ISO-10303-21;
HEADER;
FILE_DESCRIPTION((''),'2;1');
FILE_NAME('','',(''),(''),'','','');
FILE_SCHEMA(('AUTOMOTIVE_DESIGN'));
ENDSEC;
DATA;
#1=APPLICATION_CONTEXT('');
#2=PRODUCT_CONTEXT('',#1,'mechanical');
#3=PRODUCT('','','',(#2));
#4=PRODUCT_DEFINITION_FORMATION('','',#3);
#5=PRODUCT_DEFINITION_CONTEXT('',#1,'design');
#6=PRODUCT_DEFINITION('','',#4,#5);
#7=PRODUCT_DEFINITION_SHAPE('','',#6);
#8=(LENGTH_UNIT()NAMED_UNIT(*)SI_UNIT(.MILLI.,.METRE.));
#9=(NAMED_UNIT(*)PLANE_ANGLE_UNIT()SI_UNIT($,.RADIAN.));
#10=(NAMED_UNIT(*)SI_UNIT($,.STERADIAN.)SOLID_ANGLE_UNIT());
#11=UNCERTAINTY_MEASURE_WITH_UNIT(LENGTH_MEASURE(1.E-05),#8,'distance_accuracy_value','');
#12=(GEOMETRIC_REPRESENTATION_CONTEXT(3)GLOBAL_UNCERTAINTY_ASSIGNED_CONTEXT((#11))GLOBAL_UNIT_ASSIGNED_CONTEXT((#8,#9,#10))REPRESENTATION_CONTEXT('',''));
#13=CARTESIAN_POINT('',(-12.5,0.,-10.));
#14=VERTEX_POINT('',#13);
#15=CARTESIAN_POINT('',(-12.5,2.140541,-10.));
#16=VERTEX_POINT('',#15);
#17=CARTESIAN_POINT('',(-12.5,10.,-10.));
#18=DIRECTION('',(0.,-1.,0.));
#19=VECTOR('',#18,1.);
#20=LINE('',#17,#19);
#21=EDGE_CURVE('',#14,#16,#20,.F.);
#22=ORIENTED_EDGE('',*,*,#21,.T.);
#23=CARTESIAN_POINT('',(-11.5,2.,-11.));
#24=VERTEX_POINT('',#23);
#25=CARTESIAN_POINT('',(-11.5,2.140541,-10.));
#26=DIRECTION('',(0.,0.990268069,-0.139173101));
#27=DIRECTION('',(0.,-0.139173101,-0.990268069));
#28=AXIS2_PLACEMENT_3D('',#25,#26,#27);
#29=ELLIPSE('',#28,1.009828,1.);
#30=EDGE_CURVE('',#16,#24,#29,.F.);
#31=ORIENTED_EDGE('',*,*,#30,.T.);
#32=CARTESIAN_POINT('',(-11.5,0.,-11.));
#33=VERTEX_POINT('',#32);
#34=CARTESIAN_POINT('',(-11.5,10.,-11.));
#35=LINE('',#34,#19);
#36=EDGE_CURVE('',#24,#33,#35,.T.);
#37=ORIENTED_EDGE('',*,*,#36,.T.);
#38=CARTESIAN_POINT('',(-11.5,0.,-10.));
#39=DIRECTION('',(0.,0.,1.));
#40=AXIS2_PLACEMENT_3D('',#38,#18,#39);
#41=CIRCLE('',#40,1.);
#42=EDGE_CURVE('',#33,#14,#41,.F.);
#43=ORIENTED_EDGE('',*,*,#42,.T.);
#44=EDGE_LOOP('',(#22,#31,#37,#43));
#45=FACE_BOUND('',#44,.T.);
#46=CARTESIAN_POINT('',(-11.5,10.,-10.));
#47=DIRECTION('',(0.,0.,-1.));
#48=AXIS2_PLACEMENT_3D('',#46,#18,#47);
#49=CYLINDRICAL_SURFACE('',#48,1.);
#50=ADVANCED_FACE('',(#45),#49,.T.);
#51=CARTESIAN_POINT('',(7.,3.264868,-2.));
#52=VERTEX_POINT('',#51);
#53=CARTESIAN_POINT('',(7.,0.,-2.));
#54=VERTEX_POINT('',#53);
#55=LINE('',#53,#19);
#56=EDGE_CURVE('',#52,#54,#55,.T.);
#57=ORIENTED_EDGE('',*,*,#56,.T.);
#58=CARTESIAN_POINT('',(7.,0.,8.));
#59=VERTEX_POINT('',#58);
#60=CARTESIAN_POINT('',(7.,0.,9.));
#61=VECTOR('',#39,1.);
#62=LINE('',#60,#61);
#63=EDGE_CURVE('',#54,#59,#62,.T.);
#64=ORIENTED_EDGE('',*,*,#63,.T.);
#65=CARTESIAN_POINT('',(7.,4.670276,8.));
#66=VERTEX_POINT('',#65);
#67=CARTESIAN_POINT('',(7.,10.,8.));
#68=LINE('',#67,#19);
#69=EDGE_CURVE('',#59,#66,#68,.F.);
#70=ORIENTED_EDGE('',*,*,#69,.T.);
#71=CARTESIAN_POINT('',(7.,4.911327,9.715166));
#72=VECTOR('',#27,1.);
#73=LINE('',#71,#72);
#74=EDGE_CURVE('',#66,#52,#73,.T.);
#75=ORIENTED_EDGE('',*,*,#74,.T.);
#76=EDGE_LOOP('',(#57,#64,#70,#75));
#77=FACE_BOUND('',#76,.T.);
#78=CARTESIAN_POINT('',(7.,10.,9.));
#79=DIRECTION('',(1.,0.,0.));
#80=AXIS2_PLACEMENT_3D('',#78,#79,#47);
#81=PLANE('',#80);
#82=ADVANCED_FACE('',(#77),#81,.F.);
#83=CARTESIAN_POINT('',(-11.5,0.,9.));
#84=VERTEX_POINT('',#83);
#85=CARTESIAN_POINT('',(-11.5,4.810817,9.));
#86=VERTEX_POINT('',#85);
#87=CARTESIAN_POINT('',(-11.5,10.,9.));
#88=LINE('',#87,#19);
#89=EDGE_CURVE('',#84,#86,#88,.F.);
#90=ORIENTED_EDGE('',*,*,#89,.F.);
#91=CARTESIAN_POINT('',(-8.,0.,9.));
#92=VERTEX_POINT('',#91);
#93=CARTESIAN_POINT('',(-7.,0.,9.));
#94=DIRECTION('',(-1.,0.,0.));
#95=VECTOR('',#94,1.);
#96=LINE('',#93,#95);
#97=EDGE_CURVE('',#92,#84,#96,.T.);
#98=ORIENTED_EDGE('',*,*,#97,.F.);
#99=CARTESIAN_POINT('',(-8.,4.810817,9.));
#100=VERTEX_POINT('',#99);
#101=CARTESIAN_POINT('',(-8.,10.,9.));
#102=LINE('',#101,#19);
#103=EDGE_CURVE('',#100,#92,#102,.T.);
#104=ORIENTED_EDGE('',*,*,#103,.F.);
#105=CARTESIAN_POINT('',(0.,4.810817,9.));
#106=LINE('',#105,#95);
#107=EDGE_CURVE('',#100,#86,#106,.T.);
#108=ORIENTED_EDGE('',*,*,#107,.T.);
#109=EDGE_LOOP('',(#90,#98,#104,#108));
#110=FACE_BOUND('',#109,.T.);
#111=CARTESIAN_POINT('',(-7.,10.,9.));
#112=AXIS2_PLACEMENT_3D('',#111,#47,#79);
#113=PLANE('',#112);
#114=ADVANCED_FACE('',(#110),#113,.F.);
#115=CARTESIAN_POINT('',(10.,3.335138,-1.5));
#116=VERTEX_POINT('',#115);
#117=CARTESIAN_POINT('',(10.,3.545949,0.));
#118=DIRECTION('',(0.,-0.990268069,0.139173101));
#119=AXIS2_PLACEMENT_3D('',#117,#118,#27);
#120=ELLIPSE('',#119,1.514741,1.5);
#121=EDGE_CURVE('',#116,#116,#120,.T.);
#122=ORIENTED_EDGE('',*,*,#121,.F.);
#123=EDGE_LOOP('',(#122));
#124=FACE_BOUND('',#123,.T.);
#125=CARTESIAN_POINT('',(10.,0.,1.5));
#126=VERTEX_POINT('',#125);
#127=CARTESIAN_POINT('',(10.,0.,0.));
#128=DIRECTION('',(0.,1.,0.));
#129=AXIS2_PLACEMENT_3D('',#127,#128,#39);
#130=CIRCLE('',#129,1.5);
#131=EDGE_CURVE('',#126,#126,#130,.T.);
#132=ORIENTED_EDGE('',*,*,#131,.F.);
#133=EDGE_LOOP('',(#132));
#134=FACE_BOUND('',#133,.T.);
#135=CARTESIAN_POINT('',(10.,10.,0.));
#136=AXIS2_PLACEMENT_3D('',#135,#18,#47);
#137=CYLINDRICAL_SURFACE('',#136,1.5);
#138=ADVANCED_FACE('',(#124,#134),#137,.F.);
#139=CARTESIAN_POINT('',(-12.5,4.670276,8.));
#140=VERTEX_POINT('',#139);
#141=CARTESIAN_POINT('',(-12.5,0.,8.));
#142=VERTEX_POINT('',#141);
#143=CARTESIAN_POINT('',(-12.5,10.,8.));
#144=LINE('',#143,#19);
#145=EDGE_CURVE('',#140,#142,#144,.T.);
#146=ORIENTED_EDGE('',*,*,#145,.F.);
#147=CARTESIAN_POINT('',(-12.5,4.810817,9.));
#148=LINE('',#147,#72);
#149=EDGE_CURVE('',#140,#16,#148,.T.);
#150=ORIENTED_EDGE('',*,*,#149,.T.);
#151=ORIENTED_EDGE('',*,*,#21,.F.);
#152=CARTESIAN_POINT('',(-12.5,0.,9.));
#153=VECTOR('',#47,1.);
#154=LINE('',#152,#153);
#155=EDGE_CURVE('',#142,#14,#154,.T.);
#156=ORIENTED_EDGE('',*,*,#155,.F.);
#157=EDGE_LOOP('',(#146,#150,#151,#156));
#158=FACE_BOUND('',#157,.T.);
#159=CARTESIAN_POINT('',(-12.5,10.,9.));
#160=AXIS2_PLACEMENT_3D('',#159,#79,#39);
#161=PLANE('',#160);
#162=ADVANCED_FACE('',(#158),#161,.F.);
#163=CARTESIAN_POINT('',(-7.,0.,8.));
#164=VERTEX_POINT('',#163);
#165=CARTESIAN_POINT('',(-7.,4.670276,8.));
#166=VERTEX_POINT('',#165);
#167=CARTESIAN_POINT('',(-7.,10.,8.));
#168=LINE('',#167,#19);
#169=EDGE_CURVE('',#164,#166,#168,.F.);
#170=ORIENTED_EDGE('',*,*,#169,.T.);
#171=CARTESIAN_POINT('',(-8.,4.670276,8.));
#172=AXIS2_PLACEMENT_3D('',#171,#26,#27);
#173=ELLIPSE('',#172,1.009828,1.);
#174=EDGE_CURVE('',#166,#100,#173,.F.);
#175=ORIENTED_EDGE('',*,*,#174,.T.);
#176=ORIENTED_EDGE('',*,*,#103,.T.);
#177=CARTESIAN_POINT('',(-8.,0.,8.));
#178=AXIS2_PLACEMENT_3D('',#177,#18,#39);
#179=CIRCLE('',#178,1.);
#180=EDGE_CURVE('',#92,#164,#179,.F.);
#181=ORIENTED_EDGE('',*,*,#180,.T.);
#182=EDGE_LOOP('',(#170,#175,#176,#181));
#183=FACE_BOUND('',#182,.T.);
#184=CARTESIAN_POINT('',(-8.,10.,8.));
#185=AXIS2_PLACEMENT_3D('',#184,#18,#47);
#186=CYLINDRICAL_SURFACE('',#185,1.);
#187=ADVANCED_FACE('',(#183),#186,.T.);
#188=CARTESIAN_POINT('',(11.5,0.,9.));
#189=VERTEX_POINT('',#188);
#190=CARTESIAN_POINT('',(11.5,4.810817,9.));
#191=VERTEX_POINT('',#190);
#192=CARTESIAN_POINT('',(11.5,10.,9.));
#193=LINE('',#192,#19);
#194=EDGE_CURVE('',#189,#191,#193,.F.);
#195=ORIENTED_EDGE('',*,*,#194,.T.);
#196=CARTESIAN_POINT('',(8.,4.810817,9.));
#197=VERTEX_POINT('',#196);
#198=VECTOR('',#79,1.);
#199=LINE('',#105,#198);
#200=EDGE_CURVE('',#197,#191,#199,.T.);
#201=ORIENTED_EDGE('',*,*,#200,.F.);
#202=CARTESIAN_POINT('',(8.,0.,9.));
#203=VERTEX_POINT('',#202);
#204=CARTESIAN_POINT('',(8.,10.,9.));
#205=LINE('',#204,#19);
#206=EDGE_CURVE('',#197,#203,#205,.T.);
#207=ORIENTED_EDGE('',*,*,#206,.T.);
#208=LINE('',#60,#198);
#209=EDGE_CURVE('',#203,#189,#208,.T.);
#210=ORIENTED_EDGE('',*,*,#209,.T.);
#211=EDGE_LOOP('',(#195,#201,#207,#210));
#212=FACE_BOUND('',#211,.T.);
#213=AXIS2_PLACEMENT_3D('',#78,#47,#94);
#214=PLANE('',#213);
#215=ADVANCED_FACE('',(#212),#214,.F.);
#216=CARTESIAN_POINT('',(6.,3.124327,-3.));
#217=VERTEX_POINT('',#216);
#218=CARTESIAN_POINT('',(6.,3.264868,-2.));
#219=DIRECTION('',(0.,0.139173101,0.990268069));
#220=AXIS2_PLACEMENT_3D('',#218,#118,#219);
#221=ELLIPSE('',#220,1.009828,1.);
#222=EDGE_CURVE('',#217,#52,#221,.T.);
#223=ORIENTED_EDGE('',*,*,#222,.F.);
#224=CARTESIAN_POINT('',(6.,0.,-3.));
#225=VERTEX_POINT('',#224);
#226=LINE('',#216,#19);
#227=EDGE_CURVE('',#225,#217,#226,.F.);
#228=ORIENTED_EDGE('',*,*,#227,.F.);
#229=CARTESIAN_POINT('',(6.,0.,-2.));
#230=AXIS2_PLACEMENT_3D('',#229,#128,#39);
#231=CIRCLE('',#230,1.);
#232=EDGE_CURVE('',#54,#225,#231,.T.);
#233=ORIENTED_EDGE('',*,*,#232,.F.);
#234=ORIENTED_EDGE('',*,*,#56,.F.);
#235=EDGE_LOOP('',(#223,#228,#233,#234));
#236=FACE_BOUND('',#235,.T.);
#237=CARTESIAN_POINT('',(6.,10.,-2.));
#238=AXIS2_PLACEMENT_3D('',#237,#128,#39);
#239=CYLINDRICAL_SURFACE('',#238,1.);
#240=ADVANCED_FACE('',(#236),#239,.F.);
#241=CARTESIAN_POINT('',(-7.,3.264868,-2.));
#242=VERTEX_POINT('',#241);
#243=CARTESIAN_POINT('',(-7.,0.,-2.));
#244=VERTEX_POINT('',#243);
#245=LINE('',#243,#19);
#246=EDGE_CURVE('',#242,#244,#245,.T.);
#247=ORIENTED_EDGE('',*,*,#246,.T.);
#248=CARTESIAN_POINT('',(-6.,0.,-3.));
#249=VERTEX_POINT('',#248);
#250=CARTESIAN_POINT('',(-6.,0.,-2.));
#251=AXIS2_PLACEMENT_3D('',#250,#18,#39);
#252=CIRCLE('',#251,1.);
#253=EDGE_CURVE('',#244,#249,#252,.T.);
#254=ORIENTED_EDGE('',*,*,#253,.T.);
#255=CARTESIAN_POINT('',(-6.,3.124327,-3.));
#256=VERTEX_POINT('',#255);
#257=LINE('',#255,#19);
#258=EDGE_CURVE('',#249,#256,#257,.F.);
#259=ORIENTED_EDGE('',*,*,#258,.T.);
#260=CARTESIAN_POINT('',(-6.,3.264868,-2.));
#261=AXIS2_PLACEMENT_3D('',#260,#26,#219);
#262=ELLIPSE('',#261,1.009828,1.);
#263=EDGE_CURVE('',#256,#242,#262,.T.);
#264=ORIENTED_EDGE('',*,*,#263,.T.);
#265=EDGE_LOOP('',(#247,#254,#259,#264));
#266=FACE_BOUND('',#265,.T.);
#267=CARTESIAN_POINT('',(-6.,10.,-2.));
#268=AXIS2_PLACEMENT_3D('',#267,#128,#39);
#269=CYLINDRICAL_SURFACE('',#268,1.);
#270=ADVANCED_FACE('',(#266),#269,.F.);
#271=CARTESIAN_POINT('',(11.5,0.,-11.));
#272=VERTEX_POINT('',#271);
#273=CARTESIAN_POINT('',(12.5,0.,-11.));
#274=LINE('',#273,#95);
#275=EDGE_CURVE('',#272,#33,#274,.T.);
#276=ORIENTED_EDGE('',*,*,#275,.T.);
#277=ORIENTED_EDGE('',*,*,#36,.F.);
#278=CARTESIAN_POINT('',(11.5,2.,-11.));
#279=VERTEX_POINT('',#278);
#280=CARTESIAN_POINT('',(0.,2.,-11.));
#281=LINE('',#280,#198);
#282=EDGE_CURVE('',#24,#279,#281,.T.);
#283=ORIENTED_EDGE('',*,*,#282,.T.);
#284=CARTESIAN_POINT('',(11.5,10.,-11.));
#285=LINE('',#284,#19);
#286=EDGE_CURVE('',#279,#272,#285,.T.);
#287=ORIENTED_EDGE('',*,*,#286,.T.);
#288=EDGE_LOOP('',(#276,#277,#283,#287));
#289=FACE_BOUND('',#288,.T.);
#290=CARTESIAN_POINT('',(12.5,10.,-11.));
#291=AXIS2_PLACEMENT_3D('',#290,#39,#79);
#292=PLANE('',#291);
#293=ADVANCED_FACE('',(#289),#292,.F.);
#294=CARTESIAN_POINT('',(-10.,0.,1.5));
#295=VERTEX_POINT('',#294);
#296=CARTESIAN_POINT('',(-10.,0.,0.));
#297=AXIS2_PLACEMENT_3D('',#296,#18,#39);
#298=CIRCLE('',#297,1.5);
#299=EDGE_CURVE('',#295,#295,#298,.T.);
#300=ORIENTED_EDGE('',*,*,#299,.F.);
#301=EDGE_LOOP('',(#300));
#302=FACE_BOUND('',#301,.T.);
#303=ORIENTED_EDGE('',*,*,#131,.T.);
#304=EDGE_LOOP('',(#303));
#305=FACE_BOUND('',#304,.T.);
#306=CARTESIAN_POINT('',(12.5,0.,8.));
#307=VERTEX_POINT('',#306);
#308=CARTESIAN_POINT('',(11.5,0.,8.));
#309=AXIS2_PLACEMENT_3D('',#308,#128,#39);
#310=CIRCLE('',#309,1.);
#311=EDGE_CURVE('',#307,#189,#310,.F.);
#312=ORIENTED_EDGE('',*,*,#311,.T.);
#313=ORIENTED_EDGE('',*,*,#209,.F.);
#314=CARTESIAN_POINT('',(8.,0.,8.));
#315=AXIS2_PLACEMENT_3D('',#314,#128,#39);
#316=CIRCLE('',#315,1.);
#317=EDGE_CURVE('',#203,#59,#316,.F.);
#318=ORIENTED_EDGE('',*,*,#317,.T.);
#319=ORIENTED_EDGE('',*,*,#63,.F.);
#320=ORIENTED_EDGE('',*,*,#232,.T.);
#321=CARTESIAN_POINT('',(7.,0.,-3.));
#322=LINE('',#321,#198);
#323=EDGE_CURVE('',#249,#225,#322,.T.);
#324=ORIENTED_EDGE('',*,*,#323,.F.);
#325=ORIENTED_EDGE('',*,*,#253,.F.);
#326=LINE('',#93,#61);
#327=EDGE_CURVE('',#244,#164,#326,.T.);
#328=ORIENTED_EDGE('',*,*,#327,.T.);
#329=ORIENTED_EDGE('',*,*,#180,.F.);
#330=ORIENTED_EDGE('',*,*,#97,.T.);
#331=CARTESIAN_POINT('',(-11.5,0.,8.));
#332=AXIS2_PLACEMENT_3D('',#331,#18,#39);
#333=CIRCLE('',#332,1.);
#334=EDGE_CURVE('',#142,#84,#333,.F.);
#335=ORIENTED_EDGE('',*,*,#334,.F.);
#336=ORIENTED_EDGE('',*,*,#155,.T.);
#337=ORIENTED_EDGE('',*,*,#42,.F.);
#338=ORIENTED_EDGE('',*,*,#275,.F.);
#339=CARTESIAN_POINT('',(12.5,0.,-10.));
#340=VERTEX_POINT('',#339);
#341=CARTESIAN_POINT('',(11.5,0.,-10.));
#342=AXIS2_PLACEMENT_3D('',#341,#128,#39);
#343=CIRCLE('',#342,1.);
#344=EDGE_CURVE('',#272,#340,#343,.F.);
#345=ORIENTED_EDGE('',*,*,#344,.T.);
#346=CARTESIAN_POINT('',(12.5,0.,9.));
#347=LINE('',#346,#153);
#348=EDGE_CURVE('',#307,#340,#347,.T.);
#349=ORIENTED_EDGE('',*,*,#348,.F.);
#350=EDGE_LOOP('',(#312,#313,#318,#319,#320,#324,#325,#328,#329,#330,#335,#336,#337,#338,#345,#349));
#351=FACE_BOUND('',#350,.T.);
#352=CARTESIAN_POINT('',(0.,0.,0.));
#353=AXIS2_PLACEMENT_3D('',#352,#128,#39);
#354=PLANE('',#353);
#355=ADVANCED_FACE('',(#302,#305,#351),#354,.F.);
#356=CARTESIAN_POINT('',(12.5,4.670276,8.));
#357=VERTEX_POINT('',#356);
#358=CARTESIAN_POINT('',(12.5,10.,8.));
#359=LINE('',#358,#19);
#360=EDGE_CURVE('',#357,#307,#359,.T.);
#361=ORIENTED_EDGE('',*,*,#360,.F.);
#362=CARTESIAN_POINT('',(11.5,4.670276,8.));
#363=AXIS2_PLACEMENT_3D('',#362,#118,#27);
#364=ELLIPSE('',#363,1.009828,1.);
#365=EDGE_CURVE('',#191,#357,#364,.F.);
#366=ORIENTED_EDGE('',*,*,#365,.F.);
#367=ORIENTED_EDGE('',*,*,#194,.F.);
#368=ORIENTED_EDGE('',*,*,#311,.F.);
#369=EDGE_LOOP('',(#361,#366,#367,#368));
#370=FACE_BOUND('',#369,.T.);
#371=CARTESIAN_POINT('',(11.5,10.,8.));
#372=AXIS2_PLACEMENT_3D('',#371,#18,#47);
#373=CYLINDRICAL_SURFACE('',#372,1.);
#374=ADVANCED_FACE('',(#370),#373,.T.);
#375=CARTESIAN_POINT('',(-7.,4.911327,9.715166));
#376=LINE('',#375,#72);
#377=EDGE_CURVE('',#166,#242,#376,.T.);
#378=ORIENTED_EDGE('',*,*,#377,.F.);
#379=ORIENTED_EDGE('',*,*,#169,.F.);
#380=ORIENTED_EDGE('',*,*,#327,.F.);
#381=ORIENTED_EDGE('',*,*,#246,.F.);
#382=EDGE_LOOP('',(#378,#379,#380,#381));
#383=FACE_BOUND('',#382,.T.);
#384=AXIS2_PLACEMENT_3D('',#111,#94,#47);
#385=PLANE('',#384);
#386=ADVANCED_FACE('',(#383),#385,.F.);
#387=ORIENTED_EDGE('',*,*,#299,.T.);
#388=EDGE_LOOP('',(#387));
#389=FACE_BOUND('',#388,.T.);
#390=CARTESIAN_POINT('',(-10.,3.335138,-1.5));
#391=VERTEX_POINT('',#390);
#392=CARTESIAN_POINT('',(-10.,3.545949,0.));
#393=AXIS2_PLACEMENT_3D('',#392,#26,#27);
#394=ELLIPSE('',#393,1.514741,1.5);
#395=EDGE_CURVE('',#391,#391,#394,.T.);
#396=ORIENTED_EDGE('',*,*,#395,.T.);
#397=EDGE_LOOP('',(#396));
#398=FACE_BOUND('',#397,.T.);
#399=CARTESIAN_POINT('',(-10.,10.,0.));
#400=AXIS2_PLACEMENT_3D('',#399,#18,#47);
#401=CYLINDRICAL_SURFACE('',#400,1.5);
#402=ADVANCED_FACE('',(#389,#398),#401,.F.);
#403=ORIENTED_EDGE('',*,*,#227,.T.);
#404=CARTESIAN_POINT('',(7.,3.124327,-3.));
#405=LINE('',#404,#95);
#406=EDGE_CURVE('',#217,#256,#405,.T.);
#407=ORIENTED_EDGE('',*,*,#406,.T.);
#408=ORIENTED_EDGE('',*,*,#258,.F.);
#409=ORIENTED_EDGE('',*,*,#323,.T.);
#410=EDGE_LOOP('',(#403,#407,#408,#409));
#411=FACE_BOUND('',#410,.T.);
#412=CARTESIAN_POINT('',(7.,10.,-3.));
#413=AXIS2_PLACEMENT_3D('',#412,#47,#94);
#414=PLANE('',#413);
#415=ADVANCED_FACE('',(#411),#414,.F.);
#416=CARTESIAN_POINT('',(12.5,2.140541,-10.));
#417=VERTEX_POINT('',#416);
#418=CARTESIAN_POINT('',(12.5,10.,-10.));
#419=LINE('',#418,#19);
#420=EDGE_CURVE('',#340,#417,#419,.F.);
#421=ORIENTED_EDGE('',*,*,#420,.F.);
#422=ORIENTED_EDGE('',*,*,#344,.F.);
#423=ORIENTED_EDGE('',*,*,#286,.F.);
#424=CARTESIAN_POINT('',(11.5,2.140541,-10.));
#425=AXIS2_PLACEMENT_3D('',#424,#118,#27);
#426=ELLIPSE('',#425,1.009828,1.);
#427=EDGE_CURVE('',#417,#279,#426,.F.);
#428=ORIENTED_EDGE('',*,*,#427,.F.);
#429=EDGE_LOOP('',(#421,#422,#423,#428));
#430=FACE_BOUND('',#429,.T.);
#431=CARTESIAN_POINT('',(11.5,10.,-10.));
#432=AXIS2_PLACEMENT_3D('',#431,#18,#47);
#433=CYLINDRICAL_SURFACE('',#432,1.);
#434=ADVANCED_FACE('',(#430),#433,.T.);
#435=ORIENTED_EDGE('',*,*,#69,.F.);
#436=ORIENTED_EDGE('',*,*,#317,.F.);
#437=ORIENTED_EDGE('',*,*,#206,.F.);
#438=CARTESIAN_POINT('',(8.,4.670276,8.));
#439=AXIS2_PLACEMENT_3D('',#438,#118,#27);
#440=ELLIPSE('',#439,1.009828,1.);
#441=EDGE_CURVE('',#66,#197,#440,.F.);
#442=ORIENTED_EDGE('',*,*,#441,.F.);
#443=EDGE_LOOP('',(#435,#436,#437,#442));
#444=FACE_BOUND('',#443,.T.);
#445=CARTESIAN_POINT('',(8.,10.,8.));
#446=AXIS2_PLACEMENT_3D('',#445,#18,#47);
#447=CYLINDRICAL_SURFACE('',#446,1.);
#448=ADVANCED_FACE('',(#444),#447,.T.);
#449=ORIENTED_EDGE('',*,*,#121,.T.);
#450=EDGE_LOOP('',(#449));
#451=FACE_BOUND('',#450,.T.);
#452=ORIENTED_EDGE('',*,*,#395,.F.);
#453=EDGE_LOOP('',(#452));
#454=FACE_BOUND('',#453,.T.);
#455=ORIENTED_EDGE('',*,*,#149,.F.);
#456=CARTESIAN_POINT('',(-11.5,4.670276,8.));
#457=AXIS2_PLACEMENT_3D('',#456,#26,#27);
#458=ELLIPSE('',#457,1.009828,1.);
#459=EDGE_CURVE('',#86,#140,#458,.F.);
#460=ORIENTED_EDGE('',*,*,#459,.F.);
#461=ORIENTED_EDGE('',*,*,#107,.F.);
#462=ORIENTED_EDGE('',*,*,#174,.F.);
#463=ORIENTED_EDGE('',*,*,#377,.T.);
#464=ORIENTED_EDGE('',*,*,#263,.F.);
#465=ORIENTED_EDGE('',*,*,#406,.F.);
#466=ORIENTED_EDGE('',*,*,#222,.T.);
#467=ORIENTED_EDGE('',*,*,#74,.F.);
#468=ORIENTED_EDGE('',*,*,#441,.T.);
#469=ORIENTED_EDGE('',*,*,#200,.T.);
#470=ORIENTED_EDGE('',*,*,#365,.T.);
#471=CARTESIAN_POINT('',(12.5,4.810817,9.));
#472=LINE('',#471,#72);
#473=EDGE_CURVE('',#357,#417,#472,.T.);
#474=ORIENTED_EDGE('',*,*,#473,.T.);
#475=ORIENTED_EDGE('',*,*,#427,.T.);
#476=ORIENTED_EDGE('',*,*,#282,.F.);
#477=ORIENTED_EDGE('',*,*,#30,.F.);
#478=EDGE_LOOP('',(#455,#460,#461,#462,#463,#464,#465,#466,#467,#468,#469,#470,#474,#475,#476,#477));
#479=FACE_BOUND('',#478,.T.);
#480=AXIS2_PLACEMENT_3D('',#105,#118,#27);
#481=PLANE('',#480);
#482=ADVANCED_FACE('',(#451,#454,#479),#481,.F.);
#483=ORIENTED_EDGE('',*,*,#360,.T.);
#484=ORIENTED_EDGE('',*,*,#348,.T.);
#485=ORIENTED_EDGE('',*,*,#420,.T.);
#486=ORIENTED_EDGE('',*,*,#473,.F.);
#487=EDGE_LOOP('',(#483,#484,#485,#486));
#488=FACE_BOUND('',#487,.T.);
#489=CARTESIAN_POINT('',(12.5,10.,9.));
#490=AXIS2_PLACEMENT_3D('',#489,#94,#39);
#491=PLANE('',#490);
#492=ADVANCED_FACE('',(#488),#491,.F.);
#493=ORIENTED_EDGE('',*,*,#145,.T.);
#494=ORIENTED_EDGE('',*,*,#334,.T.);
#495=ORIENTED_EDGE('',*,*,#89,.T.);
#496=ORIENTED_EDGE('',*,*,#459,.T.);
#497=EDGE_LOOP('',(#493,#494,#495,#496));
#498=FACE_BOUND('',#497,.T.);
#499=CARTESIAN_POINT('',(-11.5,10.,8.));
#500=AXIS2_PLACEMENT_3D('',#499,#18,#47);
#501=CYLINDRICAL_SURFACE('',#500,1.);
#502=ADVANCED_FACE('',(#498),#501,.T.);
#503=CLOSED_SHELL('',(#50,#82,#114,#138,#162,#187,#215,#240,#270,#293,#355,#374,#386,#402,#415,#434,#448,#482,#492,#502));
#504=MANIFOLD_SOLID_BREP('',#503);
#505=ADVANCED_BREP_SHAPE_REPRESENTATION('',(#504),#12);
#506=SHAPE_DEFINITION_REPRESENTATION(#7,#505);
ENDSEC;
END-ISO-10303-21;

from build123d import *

# Parameters (mm, degrees)
ESQUISSE1_R             = 1.5
BOSS_EXTRU_1_DEPTH      = 10
ENL_V_MAT_EXTRU_1_DEPTH = 20.4229246
CONG_1_R                = 1


with BuildPart() as part:
    # Esquisse1 → Boss.-Extru.1 (new body)
    with BuildSketch(Plane(origin=(0, 0, 0), x_dir=(1, 0, 0), z_dir=(0, 1, 0))):
        Polygon((7, -9), (12.5, -9), (12.5, 11), (0, 11), (0, 3), (7, 3), align=None)
        with Locations(Location((10, 0, 0), (0, 0, 270))):
            Circle(ESQUISSE1_R, mode=Mode.SUBTRACT)
    extrude(amount=BOSS_EXTRU_1_DEPTH)

    # Esquisse2 → Enlèv. mat.-Extru.1 (cut, through all)
    with BuildSketch(Plane(origin=(12.5, 0, 0), x_dir=(0, 0, -1), z_dir=(1, 0, 0))):
        Polygon((-9, 10), (11, 10), (11, 2), (-9, 4.810816694), align=None)
    extrude(amount=-ENL_V_MAT_EXTRU_1_DEPTH, mode=Mode.SUBTRACT)

    # Congé1
    cong_1_edges = [part.edges().sort_by_distance(p)[0] for p in [
        (7, 1.562163339, -3),
        (12.5, 1, -11),
        (12.5, 2.405408347, 9),
        (7, 2.405408347, 9),
    ]]
    fillet(cong_1_edges, radius=CONG_1_R)

    # Symétrie1: part across plane


with BuildPart() as part_1:
    add(part.part)
    add(part.part.mirror(Plane(origin=(0, 10, -11), x_dir=(0, 0, 1), z_dir=(1, 0, 0))))


solid = part_1.part
